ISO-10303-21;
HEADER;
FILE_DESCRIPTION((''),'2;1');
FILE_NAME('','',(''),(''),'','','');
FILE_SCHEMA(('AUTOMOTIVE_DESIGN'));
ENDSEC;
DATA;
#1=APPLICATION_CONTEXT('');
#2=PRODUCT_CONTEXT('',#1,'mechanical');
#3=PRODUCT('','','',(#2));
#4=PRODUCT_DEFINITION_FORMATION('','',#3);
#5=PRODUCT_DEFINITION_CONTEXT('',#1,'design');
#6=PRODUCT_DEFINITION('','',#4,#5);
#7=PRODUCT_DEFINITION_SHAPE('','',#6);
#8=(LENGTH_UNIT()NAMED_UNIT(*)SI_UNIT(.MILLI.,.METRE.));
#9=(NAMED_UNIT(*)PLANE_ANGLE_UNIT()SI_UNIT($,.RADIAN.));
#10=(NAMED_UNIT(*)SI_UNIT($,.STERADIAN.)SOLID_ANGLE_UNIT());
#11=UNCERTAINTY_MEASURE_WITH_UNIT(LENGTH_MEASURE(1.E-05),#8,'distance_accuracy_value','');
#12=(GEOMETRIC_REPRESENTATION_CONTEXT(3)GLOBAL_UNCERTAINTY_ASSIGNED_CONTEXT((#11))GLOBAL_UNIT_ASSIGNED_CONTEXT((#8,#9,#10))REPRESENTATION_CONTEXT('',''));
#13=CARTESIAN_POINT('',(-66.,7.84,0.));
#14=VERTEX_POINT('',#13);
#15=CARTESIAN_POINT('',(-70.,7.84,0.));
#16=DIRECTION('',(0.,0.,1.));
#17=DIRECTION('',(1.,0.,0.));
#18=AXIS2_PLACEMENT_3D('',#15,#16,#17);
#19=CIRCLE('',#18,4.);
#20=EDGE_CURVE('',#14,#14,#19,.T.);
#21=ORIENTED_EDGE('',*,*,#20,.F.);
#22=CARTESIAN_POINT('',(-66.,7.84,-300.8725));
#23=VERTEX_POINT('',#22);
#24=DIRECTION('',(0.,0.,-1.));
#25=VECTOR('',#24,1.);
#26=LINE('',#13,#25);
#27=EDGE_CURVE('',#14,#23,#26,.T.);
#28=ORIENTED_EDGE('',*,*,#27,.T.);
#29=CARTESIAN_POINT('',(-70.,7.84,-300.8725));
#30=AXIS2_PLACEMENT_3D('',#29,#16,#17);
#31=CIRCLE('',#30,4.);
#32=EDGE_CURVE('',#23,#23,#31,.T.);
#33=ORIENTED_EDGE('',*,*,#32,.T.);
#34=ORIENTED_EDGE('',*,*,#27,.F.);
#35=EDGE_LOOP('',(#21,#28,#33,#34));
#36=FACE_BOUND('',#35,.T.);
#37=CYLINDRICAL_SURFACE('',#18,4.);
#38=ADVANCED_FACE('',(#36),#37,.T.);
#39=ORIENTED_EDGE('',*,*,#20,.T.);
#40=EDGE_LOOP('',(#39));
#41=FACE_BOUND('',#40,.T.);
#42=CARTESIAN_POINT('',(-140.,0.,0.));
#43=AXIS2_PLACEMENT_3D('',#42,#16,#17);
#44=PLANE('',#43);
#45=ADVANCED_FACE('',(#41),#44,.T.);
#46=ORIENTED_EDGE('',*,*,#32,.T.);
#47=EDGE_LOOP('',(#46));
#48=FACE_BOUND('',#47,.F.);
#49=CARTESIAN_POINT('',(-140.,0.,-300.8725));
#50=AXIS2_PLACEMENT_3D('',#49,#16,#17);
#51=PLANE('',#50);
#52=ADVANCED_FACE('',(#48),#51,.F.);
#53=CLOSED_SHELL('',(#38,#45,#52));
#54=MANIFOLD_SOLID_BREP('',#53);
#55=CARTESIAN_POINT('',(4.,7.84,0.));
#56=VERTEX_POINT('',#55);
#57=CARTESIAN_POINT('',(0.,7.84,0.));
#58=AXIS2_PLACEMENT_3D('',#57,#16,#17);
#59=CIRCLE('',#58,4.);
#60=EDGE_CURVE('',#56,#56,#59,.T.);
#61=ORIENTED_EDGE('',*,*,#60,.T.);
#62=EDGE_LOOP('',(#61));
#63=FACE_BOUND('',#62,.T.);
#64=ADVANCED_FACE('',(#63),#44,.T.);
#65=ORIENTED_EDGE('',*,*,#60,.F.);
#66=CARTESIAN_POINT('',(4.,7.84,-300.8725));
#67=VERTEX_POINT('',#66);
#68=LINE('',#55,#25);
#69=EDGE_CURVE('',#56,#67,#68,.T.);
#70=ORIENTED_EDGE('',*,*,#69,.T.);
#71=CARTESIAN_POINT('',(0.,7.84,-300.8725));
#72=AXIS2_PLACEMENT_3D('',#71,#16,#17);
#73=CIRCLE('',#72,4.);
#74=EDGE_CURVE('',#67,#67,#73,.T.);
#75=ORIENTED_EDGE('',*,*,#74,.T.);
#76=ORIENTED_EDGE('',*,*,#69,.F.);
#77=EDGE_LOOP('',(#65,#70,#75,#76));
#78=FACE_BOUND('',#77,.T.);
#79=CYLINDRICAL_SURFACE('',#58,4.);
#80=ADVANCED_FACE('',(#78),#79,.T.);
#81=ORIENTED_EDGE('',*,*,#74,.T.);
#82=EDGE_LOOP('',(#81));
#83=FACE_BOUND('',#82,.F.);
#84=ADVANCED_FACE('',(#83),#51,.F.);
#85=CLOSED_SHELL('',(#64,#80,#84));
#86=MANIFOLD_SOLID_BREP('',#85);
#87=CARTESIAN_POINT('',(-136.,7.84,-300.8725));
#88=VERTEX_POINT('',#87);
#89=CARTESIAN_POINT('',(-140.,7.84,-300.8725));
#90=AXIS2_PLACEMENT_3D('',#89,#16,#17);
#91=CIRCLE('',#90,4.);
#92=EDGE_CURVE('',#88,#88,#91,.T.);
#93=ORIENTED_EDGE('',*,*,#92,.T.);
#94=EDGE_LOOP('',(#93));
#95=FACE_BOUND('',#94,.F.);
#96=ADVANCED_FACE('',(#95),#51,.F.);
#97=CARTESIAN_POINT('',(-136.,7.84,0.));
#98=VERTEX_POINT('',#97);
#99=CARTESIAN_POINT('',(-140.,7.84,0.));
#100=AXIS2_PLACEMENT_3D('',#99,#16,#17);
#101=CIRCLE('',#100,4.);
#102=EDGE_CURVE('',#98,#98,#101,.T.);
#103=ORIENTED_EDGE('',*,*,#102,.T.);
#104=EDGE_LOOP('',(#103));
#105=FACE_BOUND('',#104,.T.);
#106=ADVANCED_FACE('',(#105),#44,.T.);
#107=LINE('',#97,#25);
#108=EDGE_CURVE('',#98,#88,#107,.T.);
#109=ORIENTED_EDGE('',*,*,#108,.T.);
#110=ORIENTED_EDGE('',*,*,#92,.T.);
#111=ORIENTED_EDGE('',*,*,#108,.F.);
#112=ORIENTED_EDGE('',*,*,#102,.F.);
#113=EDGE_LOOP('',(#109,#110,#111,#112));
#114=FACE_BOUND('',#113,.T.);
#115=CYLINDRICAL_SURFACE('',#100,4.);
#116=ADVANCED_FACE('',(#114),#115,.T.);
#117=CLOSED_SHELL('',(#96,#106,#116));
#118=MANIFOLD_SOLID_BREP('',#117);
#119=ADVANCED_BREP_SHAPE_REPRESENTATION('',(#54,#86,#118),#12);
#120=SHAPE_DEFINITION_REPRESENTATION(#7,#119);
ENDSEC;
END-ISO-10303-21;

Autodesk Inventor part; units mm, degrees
ref_plane "YZ Plane" through (0, 0, 0) normal (1, 0, 0) x (0, 1, 0)
ref_plane "XZ Plane" through (0, 0, 0) normal (0, 1, 0) x (-1, 0, 0)
ref_plane "Work Plane1" through (-140, 0, 0) normal (0, 0, 1) x (1, 0, 0)
sketch "Sketch1" plane through (-140, 0, 0) normal (0, 0, 1) x (1, 0, 0)
  circle A0 centre (0, 7.84) radius 4 projected
  circle A1 centre (140, 7.84) radius 4 projected
  circle A2 centre (70, 7.84) radius 5 projected
  circle A3 centre (70, 7.84) radius 4
  point P0 (140, 0)
  dimension "d0" = 8
ref_plane "Work Plane2" through (-149.963, -13.75, -300.8725) normal (0, 0, -1) x (0, 1, 0)
extrude "Extrusion1" add sketch "Sketch1" against normal up to surface (300.8725 mm away) contours A0 | A1 | A3
properties part number "Y rails"
